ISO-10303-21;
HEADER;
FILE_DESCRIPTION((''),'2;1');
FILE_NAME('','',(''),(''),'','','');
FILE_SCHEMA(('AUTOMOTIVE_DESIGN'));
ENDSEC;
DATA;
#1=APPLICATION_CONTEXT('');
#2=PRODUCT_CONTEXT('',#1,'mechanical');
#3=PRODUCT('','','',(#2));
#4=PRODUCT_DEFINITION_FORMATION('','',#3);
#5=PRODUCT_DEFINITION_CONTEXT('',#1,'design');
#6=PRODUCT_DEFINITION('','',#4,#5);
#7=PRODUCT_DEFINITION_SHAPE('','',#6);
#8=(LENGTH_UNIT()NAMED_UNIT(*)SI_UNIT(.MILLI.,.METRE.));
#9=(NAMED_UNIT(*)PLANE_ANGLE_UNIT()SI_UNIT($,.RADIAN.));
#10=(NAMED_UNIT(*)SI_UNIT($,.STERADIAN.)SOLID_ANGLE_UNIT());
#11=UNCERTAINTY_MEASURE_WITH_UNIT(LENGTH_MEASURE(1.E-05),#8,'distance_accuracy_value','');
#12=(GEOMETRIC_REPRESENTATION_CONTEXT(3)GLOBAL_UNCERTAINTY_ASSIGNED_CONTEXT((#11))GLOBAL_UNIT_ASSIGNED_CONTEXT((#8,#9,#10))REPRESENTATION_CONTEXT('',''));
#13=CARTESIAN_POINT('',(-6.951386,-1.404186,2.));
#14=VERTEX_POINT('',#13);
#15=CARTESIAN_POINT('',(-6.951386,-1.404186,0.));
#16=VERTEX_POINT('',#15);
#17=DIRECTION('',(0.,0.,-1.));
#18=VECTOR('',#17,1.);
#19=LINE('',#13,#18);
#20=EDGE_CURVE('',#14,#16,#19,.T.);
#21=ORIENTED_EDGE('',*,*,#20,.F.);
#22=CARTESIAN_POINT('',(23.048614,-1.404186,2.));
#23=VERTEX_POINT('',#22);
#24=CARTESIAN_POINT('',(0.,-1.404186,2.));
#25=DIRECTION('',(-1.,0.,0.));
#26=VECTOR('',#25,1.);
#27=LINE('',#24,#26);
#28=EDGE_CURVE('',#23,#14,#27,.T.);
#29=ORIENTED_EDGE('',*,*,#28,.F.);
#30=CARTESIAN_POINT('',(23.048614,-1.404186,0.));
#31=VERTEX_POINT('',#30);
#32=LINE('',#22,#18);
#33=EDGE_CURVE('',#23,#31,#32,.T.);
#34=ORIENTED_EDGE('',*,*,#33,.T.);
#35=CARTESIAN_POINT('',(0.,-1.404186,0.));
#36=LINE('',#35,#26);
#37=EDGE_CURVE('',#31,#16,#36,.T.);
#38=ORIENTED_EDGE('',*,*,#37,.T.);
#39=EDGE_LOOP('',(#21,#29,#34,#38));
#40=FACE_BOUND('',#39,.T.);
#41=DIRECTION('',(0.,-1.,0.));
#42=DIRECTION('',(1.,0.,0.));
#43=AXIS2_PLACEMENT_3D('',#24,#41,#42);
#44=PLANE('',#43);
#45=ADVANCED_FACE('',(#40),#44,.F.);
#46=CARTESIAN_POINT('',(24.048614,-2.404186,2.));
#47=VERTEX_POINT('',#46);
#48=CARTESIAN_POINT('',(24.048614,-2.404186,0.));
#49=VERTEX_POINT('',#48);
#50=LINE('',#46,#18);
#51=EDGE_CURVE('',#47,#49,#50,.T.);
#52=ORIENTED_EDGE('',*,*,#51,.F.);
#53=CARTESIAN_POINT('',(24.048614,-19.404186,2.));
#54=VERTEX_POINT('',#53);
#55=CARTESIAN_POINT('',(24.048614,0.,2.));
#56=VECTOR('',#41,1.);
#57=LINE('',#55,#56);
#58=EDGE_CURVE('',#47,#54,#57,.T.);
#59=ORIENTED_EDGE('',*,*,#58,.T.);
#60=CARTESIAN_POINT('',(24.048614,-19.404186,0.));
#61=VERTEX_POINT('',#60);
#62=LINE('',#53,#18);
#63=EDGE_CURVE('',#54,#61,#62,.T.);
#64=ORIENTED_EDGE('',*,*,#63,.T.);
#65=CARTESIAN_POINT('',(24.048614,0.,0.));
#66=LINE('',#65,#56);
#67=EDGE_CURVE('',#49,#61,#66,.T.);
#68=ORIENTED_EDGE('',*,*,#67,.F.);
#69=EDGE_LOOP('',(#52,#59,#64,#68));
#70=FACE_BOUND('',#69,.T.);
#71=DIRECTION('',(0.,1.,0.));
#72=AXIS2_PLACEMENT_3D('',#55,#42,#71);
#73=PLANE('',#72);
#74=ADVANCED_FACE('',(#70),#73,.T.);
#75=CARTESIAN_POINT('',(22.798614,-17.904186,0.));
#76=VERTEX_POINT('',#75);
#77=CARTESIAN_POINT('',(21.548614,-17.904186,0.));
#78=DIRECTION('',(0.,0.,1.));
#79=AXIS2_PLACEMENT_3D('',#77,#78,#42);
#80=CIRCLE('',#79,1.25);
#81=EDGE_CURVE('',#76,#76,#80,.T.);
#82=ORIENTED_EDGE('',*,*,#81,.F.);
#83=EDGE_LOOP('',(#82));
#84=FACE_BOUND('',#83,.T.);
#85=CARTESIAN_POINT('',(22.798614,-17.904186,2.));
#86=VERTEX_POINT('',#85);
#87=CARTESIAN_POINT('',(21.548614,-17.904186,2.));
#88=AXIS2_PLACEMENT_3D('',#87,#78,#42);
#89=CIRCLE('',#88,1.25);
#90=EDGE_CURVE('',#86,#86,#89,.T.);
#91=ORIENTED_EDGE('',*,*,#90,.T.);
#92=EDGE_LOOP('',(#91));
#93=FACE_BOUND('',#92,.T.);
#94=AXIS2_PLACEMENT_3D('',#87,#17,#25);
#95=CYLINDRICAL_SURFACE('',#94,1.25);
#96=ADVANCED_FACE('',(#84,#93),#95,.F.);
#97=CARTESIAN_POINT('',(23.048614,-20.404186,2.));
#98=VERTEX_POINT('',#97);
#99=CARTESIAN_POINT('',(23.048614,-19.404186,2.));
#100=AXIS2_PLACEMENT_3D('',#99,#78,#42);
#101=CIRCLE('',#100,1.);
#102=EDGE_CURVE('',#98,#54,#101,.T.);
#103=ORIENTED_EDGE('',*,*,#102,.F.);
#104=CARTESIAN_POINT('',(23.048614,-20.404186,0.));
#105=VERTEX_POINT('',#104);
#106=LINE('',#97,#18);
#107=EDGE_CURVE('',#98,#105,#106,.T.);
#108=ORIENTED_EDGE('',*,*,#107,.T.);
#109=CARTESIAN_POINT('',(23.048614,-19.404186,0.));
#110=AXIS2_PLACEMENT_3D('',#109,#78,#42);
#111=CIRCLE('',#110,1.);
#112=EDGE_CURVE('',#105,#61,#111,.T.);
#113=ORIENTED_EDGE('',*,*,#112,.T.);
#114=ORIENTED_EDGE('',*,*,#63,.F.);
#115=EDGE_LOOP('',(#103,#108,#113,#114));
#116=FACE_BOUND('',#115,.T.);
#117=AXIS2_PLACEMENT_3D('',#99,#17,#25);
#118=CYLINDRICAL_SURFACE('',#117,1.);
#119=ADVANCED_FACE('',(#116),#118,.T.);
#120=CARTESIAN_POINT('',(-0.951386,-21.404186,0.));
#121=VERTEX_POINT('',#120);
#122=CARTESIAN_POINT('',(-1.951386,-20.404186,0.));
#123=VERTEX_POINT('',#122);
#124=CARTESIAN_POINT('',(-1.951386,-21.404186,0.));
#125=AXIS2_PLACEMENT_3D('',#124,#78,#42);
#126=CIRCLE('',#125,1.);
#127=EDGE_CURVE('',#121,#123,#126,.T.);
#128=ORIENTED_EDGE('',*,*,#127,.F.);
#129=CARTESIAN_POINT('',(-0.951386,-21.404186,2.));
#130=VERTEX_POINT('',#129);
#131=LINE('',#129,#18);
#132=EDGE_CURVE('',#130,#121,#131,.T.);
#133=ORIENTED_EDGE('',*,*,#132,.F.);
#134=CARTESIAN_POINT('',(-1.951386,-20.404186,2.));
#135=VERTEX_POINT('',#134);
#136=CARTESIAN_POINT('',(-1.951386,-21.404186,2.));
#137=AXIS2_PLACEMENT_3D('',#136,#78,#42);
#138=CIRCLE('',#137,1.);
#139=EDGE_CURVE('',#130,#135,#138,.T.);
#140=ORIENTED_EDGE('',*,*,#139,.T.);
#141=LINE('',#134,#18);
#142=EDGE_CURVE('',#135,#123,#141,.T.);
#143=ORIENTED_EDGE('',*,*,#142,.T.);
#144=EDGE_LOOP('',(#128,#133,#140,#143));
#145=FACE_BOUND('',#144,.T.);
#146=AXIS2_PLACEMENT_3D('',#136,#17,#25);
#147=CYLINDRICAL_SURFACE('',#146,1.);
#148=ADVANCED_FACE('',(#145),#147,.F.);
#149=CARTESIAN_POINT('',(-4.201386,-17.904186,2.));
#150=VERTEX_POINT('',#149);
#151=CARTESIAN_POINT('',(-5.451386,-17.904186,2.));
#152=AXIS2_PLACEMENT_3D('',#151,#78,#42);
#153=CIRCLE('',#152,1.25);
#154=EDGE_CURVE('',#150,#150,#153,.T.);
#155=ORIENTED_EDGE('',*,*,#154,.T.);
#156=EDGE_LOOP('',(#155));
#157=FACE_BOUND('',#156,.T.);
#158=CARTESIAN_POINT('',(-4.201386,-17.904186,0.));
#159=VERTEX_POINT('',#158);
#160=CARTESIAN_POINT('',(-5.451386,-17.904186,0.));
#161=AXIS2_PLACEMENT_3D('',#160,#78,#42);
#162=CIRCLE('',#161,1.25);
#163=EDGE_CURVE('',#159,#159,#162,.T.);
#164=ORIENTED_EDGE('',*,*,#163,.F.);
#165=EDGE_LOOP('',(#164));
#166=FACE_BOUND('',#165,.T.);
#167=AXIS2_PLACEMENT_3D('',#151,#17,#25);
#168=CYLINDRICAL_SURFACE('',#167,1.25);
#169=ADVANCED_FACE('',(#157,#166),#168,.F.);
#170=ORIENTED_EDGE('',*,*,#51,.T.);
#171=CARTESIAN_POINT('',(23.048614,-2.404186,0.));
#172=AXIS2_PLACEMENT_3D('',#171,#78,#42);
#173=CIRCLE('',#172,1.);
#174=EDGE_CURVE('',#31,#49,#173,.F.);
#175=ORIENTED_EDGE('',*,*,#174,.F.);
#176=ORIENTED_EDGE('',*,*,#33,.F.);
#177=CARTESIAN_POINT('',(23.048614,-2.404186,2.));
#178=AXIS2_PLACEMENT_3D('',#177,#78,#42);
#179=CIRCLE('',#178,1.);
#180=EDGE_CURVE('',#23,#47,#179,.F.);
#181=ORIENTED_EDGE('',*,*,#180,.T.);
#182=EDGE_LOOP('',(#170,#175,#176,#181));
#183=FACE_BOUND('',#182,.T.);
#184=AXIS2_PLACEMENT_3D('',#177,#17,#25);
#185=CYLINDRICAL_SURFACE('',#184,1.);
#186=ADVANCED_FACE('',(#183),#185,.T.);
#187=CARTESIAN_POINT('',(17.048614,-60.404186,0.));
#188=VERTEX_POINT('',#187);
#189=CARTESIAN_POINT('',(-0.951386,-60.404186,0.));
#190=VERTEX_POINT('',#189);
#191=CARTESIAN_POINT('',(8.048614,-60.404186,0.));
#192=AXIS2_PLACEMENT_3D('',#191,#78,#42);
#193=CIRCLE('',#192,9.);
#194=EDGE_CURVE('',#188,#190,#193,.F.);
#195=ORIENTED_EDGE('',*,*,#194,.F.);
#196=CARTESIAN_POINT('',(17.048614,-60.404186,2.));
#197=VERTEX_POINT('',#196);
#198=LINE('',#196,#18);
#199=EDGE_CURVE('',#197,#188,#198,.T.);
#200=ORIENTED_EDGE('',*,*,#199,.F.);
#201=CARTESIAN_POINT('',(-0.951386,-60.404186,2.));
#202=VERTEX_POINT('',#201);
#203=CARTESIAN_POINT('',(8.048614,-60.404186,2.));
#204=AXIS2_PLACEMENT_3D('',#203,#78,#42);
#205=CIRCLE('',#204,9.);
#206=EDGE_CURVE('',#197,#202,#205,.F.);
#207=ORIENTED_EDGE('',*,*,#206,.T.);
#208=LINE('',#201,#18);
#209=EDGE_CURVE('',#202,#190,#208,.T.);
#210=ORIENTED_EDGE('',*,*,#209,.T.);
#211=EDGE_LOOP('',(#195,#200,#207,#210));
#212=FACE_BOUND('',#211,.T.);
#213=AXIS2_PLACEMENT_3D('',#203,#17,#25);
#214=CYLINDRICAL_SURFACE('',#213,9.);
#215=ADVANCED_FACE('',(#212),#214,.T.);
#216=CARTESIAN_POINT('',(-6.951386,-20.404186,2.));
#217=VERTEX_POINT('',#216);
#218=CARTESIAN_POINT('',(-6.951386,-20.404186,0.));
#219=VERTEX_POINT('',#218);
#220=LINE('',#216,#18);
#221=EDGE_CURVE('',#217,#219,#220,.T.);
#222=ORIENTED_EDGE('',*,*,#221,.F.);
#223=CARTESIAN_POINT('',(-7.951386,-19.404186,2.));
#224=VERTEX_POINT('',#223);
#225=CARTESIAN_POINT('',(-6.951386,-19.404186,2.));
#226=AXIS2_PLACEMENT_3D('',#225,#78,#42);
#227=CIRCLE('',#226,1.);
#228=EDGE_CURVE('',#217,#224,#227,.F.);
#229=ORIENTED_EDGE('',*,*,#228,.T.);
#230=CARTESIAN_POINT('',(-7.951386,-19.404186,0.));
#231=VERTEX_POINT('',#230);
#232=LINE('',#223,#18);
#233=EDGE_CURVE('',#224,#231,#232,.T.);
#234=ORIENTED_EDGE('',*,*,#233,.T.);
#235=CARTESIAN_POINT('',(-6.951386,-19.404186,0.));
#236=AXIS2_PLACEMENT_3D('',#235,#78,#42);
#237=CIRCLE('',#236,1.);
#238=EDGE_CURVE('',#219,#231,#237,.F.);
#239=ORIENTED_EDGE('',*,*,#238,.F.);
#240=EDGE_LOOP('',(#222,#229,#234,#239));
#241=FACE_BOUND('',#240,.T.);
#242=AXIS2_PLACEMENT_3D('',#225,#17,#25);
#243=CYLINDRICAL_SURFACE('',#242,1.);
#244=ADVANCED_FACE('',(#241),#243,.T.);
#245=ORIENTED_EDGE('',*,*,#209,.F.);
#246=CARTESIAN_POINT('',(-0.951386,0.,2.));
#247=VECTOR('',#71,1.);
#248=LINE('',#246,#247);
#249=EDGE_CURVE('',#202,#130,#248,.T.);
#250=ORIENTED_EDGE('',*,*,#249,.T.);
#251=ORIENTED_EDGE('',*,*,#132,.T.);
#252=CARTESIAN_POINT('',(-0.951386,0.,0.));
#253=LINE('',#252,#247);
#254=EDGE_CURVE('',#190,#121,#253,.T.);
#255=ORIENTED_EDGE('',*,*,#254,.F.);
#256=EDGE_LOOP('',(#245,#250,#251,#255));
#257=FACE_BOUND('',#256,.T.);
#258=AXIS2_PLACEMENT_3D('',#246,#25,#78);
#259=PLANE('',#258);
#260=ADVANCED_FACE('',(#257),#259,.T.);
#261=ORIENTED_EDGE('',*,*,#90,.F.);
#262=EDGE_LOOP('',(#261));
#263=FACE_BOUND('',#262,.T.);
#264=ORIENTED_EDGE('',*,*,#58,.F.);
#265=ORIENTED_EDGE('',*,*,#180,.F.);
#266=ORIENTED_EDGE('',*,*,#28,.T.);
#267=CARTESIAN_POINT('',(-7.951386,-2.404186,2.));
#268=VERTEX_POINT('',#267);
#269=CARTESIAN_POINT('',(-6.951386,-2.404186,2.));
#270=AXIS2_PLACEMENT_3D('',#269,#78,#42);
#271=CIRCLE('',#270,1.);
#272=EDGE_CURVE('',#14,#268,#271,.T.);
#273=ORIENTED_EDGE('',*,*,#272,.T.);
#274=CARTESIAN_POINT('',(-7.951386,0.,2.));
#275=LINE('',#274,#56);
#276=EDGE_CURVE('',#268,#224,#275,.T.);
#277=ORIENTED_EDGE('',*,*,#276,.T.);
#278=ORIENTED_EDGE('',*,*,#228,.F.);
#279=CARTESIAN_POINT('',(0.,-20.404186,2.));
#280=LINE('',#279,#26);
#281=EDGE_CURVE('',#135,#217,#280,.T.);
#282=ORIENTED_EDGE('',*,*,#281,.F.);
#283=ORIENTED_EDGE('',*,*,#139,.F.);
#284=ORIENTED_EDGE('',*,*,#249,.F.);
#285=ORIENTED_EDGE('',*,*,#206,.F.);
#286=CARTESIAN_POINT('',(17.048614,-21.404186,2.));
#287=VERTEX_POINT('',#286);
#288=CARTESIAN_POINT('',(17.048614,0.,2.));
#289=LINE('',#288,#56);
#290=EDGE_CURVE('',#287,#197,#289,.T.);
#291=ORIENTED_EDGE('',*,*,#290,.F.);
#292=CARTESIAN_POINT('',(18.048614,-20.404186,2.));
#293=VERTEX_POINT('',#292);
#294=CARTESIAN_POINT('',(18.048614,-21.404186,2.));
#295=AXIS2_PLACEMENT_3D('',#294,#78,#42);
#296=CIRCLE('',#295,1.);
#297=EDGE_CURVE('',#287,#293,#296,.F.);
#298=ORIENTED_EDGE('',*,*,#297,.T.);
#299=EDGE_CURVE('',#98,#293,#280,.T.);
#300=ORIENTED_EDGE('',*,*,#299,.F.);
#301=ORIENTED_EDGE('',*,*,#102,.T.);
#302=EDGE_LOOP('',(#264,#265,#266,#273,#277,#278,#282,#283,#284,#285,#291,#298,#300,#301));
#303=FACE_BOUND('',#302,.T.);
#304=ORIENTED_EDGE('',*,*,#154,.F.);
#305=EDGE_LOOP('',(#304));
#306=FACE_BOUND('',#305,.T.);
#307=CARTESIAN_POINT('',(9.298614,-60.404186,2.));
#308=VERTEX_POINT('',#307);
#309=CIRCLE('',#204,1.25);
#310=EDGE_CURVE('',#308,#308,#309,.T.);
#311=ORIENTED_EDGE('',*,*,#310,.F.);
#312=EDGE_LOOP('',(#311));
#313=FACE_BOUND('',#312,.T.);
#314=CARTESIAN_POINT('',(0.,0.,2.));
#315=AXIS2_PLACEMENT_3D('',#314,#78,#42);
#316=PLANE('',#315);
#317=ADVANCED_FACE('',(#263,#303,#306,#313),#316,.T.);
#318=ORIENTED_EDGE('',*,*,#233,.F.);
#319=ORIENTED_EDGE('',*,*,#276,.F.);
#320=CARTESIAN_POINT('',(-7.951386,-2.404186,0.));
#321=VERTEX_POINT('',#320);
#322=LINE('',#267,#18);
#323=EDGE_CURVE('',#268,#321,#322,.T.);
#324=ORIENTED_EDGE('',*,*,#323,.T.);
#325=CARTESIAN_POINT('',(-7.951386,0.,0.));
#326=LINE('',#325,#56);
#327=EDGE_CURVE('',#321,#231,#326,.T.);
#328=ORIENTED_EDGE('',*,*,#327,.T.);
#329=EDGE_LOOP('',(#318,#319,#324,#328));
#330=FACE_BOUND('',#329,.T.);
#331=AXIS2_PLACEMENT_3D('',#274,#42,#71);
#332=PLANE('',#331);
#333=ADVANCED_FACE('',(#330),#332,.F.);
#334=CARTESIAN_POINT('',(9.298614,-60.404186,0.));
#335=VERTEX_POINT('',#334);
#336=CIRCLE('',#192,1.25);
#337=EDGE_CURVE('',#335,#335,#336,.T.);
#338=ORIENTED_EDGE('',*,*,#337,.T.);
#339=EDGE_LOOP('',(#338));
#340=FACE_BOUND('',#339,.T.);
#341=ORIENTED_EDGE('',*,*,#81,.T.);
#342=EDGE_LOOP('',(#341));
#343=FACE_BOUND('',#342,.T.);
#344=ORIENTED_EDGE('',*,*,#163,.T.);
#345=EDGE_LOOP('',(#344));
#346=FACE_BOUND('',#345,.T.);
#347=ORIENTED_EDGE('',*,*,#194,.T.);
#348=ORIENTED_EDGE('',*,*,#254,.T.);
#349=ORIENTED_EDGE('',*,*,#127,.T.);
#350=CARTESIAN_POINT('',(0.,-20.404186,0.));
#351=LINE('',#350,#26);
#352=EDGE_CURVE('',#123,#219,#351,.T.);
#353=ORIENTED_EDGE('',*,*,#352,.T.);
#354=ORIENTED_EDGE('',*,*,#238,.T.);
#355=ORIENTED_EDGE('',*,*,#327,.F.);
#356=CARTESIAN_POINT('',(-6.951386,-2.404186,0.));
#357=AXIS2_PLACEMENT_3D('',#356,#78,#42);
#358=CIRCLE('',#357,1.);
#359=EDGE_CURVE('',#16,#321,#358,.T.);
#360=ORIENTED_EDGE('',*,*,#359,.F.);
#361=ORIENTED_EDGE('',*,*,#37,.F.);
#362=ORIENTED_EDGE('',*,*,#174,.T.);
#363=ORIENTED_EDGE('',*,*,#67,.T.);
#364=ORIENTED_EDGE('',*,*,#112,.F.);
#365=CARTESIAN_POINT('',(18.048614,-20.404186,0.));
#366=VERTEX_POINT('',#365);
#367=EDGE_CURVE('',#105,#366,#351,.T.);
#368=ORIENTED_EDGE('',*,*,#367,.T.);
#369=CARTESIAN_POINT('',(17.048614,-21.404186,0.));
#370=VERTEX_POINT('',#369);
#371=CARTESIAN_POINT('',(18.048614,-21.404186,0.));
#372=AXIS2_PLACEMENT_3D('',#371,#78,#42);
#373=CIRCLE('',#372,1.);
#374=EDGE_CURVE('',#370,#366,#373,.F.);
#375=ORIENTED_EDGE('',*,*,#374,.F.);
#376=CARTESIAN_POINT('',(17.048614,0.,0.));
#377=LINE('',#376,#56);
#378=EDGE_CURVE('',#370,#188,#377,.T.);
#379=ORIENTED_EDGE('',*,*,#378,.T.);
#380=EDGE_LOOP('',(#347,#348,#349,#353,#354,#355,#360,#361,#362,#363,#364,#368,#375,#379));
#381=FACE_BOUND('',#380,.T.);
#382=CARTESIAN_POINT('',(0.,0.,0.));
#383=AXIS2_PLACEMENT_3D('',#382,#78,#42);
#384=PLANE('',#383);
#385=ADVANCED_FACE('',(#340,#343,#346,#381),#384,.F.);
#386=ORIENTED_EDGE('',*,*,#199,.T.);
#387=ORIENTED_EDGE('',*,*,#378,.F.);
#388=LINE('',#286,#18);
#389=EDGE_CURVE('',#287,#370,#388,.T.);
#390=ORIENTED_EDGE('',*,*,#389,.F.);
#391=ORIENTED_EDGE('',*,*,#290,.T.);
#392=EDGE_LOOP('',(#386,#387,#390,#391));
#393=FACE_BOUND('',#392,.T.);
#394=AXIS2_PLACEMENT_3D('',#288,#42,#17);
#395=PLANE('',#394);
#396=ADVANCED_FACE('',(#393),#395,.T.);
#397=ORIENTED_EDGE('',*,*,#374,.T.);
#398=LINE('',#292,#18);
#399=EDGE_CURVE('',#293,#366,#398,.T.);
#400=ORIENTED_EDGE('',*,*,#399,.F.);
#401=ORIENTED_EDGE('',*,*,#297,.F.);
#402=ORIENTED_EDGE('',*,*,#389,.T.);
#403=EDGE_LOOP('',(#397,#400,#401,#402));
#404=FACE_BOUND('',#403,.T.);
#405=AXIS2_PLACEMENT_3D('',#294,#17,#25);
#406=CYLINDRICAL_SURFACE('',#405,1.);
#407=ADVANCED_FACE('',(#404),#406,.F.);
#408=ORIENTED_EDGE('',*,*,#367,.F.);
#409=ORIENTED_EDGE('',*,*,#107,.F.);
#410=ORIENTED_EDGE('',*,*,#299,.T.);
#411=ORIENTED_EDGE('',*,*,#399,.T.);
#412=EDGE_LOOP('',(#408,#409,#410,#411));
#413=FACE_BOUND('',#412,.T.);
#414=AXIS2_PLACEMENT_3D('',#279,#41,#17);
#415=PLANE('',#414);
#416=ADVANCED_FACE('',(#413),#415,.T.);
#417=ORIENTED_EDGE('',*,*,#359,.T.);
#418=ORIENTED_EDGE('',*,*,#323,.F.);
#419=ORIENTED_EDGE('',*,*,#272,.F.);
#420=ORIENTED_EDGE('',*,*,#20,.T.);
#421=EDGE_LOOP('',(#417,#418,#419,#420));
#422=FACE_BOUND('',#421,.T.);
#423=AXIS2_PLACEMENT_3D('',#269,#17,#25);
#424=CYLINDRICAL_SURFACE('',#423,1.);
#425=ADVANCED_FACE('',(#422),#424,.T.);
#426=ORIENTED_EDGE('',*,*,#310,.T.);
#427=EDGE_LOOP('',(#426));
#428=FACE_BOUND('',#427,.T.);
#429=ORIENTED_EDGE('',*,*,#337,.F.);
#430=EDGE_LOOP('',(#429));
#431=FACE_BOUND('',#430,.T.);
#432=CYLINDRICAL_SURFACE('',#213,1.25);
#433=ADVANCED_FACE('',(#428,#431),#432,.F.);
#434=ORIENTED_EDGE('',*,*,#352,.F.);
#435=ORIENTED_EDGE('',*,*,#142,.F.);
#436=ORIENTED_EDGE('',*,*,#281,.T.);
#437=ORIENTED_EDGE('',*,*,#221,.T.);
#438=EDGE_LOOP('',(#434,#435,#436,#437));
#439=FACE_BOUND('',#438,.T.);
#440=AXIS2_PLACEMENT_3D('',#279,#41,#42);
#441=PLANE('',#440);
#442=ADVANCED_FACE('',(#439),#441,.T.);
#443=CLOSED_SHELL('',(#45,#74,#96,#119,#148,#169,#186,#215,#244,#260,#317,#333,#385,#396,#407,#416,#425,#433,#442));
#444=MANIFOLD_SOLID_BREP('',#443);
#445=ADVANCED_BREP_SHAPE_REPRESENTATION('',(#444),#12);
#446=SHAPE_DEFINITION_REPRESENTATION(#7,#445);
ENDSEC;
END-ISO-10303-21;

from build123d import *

# Parameters (mm, degrees)
SKETCH_1_R      = 1.25
EXTRUDE_1_DEPTH = 2


with BuildPart() as part:
    # 草圖1 → 填料-伸長1 (new body)
    with BuildSketch(Plane.XY):
        with BuildLine():
            Line((18.048613933, -20.404186252), (23.048613933, -20.404186252))
            ThreePointArc((23.048613933, -20.404186252), (23.755720714, -20.111293033), (24.048613933, -19.404186252))
            Line((24.048613933, -19.404186252), (24.048613933, -15.404186252))
            Line((24.048613933, -15.404186252), (24.048613933, -2.404186252))
            ThreePointArc((24.048613933, -2.404186252), (23.755720714, -1.697079471), (23.048613933, -1.404186252))
            Line((23.048613933, -1.404186252), (-6.951386067, -1.404186252))
            ThreePointArc((-6.951386067, -1.404186252), (-7.658492848, -1.697079471), (-7.951386067, -2.404186252))
            Line((-7.951386067, -2.404186252), (-7.951386067, -15.404186252))
            Line((-7.951386067, -15.404186252), (-7.951386067, -19.404186252))
            ThreePointArc((-7.951386067, -19.404186252), (-7.658492848, -20.111293033), (-6.951386067, -20.404186252))
            Line((-6.951386067, -20.404186252), (-1.951386067, -20.404186252))
            ThreePointArc((-1.951386067, -20.404186252), (-1.244279286, -20.697079471), (-0.951386067, -21.404186252))
            Line((-0.951386067, -21.404186252), (-0.951386067, -60.404186252))
            ThreePointArc((-0.951386067, -60.404186252), (8.048613933, -69.404186252), (17.048613933, -60.404186252))
            Line((17.048613933, -60.404186252), (17.048613933, -21.404186252))
            ThreePointArc((17.048613933, -21.404186252), (17.341507152, -20.697079471), (18.048613933, -20.404186252))
        make_face()
        with Locations((8.048613933, -60.404186252)):
            Circle(SKETCH_1_R, mode=Mode.SUBTRACT)
        with Locations((-5.451386067, -17.904186252)):
            Circle(SKETCH_1_R, mode=Mode.SUBTRACT)
        with Locations((21.548613933, -17.904186252)):
            Circle(SKETCH_1_R, mode=Mode.SUBTRACT)
    extrude(amount=EXTRUDE_1_DEPTH)


solid = part.part
